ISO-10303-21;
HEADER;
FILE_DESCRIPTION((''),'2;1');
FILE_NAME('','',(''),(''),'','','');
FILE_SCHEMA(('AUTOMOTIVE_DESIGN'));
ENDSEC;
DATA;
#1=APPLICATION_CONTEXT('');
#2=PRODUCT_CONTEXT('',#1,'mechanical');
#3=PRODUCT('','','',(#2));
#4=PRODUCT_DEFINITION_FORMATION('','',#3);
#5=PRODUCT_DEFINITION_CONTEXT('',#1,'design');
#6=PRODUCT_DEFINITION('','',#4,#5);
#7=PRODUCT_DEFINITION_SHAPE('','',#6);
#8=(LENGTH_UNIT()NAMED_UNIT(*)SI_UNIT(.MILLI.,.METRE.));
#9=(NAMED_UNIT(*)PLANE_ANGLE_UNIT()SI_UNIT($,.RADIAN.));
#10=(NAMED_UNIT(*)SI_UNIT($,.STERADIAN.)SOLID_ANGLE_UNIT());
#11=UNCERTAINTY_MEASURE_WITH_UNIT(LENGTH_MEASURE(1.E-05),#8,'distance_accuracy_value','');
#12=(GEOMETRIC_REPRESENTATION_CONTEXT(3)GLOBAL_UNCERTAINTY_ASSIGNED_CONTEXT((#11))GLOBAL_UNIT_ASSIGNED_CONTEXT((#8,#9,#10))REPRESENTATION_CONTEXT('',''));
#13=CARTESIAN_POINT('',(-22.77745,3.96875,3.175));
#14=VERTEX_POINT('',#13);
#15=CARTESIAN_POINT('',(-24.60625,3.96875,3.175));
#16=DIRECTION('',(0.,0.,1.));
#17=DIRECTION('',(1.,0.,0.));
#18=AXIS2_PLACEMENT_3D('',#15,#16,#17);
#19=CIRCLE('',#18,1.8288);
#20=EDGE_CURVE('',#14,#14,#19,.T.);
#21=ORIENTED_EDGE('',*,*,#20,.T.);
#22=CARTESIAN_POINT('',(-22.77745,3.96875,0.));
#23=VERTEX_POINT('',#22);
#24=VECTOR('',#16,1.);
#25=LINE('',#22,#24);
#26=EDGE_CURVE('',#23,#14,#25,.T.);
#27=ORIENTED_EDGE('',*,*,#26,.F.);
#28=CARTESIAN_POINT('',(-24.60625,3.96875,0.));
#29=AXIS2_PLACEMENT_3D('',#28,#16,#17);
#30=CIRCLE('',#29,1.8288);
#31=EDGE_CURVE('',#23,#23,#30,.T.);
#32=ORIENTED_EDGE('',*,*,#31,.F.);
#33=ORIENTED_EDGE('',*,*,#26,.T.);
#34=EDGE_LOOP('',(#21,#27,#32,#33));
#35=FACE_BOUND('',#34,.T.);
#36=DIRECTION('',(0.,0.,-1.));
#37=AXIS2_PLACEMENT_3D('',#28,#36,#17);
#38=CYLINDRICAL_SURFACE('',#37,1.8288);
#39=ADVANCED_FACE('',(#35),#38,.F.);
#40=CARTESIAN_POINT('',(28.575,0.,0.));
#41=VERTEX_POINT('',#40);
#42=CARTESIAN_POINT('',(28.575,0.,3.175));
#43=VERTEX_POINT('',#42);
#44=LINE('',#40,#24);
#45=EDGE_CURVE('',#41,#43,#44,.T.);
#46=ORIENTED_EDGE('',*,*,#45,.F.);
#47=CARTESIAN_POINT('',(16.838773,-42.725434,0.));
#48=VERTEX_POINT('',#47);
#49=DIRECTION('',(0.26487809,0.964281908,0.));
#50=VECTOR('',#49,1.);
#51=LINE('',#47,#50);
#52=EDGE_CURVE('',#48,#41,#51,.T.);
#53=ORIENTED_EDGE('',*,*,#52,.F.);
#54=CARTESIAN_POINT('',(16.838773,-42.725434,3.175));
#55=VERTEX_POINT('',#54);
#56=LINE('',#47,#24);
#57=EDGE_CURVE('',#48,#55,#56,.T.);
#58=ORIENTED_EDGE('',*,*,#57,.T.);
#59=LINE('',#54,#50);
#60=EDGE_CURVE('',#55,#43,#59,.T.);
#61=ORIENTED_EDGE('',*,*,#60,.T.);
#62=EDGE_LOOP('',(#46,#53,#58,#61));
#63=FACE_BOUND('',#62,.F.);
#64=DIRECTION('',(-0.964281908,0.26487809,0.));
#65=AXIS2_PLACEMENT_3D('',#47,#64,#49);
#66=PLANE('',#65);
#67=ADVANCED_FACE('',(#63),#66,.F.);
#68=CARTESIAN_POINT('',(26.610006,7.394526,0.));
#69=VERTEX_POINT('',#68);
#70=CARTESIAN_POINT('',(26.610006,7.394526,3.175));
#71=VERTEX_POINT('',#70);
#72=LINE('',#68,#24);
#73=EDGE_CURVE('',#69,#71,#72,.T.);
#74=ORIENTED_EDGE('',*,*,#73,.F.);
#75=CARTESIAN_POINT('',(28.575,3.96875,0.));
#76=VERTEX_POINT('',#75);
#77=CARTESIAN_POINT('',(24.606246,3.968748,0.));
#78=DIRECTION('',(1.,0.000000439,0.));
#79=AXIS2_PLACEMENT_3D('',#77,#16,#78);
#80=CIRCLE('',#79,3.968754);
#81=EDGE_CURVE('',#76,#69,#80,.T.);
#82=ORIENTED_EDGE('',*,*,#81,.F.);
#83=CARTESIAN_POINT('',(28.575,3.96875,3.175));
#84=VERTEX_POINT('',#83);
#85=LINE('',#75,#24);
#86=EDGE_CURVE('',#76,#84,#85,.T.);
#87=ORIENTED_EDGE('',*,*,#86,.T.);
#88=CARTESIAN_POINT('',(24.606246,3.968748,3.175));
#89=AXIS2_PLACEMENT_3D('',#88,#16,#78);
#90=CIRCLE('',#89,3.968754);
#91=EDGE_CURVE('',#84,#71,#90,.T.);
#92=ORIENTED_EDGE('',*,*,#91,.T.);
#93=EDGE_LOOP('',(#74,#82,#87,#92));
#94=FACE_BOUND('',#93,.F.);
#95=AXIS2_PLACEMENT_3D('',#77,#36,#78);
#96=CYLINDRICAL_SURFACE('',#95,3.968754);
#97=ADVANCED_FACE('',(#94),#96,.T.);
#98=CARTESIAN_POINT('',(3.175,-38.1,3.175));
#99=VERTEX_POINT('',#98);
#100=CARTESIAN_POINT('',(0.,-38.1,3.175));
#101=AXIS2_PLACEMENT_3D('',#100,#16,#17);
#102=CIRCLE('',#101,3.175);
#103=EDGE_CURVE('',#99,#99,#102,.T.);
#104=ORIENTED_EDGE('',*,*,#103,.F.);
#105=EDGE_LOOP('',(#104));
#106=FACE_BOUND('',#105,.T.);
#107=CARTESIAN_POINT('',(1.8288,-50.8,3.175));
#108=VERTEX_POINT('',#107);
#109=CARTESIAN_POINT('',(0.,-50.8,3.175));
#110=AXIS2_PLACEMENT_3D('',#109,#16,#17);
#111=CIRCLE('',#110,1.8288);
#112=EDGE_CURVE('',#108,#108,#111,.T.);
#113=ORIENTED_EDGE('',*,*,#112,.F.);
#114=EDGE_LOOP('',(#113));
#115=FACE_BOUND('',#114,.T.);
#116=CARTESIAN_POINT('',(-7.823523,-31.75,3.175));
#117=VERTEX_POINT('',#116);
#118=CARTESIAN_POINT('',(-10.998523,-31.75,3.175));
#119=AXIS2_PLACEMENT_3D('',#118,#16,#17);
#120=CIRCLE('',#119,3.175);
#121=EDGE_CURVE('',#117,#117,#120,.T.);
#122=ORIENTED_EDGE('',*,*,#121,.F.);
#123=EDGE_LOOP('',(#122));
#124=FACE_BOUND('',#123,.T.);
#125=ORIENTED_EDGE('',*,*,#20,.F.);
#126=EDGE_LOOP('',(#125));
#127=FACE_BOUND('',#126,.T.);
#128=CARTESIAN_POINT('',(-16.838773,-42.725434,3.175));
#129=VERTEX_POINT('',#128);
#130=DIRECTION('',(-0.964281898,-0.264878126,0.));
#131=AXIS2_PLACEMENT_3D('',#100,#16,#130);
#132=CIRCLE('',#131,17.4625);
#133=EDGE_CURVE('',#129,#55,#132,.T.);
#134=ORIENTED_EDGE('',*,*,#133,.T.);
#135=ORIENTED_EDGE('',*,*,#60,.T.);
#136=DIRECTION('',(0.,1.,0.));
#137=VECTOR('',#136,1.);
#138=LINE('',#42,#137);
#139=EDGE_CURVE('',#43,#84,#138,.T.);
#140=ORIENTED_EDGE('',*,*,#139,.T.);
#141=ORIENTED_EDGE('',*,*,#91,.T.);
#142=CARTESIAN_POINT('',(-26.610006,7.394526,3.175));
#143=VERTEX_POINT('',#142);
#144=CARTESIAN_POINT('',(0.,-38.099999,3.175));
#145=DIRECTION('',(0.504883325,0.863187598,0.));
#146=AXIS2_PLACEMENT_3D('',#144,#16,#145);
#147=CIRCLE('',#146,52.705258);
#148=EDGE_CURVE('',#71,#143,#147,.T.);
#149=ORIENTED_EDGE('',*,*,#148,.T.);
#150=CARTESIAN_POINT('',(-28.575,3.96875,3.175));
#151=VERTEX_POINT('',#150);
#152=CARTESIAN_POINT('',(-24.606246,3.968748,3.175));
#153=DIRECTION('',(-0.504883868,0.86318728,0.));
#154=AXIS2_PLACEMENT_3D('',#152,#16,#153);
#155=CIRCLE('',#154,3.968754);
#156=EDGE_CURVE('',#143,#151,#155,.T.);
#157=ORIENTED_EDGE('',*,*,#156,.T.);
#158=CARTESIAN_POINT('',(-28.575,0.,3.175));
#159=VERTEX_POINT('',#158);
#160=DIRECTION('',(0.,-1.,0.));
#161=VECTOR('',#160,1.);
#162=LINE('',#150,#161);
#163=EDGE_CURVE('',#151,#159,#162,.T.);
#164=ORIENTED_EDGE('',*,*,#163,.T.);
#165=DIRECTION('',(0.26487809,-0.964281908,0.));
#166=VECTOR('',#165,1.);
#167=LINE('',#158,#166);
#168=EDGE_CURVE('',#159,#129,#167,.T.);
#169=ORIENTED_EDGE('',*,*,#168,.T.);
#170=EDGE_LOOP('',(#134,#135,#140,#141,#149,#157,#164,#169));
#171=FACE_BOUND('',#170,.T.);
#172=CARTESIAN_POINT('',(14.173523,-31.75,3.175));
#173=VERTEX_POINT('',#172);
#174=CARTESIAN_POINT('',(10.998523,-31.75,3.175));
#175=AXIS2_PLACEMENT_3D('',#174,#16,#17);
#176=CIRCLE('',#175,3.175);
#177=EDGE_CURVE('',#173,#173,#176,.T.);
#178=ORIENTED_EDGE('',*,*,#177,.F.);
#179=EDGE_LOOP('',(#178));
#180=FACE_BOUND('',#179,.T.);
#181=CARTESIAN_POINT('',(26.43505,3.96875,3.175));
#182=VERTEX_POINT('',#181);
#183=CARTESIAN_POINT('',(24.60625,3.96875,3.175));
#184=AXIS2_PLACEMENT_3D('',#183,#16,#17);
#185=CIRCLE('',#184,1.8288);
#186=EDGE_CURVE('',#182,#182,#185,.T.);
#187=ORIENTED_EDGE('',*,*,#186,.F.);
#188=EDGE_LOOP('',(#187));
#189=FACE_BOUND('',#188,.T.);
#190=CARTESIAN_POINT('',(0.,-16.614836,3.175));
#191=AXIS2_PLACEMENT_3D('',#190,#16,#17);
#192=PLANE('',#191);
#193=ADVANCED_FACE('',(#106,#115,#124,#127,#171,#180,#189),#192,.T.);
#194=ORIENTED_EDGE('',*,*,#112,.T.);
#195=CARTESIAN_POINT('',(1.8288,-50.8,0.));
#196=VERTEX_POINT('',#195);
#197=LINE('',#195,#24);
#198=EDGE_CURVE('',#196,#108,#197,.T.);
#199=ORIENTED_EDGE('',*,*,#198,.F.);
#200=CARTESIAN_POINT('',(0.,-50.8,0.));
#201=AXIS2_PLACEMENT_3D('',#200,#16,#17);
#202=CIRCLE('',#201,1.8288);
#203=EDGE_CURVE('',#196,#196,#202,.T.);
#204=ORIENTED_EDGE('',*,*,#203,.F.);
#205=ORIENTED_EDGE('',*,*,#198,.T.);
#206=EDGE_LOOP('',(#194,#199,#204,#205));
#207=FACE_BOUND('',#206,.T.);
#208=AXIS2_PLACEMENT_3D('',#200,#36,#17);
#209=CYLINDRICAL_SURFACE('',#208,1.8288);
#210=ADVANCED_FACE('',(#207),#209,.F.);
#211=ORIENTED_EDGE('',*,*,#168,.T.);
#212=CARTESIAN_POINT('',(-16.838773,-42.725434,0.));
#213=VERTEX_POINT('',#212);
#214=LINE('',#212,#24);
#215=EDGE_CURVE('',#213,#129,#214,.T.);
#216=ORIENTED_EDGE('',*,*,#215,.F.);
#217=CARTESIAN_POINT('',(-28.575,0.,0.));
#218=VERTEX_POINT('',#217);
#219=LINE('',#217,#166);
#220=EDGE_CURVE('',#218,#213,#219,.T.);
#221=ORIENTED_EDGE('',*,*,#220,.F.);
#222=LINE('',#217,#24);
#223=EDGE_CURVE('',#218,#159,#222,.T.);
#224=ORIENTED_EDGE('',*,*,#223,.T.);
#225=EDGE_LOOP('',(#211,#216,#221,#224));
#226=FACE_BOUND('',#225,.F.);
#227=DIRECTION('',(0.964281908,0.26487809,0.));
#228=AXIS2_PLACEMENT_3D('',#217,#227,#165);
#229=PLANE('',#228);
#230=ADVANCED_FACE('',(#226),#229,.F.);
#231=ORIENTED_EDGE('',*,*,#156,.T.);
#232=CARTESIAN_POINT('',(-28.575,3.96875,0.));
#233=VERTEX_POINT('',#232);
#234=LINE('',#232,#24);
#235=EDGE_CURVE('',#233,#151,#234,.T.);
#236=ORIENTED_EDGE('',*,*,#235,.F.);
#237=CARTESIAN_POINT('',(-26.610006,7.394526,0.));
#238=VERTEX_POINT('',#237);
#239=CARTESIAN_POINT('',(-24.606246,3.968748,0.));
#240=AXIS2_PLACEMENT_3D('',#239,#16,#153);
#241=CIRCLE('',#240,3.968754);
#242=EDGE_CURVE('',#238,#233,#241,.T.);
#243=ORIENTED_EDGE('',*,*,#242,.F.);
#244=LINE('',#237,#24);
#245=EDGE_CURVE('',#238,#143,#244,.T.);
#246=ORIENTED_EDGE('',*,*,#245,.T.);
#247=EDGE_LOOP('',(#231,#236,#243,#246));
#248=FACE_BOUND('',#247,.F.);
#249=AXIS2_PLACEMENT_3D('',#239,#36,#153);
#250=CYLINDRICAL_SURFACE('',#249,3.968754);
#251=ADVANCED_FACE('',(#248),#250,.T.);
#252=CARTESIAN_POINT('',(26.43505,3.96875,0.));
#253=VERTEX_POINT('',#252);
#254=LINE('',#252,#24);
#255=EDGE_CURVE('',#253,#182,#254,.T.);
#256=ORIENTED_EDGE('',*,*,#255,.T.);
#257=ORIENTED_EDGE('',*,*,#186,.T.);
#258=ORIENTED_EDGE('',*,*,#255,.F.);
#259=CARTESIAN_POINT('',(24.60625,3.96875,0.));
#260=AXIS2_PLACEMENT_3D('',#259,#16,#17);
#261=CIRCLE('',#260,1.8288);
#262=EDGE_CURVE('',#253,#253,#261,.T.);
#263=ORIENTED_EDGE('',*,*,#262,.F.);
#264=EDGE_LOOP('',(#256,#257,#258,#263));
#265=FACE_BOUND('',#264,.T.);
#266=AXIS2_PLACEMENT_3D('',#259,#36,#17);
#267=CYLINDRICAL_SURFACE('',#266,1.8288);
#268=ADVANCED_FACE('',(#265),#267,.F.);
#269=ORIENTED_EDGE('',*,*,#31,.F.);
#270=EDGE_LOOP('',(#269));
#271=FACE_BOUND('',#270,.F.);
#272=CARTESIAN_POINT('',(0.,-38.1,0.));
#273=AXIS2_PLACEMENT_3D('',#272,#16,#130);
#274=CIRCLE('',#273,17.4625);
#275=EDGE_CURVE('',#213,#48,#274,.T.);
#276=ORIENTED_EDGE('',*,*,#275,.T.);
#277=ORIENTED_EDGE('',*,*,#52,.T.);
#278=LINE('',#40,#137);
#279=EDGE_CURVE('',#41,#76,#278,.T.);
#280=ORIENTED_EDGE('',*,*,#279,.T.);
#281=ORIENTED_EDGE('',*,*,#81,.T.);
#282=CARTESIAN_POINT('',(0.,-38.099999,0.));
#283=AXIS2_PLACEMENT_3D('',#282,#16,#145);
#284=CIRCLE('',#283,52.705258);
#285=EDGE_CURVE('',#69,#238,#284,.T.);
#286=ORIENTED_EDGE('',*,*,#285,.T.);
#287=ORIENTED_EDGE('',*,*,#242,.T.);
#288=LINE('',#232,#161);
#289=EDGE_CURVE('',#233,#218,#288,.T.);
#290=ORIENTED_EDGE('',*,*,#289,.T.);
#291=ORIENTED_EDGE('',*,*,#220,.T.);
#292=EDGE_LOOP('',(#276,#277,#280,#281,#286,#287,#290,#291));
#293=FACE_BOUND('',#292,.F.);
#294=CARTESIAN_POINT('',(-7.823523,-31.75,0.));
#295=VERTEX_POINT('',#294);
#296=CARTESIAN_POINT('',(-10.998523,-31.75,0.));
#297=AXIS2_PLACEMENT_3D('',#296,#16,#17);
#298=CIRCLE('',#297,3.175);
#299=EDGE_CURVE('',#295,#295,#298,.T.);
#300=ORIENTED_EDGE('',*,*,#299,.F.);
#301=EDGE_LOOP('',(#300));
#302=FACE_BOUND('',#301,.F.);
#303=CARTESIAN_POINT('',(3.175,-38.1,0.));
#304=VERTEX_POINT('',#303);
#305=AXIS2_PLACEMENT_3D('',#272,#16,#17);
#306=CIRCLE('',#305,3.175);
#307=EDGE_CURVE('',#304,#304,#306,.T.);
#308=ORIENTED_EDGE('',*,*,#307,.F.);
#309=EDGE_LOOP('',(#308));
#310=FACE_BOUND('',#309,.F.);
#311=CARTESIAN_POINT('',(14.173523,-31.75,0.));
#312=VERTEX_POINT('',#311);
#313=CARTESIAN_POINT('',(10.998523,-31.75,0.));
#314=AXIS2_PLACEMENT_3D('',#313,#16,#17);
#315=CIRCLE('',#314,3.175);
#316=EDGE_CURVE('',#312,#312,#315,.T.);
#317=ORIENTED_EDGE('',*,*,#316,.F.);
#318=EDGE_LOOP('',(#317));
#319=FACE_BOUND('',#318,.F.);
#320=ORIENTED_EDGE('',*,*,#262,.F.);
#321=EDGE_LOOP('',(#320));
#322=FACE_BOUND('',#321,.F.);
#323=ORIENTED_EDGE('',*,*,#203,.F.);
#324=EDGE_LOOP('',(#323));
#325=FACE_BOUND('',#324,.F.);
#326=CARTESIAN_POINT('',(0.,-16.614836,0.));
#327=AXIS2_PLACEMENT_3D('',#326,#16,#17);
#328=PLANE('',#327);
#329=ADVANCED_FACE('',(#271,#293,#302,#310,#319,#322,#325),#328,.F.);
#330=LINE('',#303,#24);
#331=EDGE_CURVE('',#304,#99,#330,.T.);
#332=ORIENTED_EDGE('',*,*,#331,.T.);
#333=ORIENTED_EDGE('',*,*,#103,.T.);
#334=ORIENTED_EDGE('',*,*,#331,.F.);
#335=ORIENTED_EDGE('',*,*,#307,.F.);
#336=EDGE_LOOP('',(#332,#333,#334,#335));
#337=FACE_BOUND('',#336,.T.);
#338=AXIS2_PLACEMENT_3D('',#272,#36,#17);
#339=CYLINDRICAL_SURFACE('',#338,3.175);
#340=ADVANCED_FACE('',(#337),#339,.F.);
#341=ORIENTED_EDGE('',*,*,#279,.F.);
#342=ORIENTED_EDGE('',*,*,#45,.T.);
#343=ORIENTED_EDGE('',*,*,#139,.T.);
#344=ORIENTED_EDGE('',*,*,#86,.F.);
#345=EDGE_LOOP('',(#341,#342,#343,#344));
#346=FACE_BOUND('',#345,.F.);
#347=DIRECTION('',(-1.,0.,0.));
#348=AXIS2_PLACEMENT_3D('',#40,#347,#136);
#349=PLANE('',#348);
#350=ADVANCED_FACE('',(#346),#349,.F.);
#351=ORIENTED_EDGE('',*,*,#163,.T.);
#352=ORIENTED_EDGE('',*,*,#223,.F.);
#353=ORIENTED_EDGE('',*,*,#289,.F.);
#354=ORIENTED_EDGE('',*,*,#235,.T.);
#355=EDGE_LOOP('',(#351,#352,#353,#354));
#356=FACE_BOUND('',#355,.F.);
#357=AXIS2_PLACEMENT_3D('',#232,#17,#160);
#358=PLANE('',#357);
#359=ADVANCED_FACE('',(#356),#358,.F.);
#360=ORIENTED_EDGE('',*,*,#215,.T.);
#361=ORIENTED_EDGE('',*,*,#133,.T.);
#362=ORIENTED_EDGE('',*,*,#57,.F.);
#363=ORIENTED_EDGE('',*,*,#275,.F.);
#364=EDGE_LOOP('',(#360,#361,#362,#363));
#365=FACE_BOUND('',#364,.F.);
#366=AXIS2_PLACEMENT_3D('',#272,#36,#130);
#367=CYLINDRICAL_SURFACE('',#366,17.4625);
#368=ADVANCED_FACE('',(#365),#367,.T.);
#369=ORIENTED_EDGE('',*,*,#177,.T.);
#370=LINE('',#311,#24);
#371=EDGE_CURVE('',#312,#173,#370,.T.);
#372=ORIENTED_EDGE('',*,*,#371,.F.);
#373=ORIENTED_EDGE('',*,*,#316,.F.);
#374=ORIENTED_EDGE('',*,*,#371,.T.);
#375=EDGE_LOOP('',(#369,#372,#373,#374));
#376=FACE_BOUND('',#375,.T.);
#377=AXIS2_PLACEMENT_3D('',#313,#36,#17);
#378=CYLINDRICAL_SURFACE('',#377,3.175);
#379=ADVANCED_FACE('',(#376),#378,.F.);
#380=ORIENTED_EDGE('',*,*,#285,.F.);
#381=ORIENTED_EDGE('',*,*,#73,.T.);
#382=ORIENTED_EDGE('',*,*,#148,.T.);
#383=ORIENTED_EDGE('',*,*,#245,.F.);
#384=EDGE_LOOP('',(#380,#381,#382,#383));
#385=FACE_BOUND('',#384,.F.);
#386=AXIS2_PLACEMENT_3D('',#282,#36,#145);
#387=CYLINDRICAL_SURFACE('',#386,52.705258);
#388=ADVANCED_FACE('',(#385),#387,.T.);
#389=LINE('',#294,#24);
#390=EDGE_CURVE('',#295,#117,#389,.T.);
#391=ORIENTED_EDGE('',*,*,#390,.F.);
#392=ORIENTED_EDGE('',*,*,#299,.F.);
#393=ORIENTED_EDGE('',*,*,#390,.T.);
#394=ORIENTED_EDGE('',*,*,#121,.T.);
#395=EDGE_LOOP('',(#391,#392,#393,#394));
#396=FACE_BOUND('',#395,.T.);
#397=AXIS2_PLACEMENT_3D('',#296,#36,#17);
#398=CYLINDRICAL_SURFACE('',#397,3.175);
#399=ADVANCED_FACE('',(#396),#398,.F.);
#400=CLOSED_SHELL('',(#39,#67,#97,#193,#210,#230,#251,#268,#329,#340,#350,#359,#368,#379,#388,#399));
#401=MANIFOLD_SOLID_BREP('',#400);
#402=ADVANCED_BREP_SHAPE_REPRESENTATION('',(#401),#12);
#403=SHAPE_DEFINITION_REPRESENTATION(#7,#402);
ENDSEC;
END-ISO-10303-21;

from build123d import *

# Parameters (mm, degrees)
F0_R     = 1.8288
F0_R_2   = 3.175
F1_DEPTH = 3.175


with BuildPart() as f1:
    # F0 (on Top) → F1 (new body)
    with BuildSketch(Plane.XY):
        with BuildLine():
            Line((-28.575, 0), (-16.838773, -42.725434))
            ThreePointArc((-16.838773, -42.725434), (0, -55.5625), (16.838773, -42.725434))
            Line((16.838773, -42.725434), (28.575, 0))
            Line((28.575, 0), (28.575, 3.96875))
            ThreePointArc((28.575, 3.96875), (28.048878, 5.943411), (26.610006, 7.394526))
            ThreePointArc((26.610006, 7.394526), (0, 14.605259), (-26.610006, 7.394526))
            ThreePointArc((-26.610006, 7.394526), (-28.048878, 5.943411), (-28.575, 3.96875))
            Line((-28.575, 3.96875), (-28.575, 0))
        make_face()
        with Locations((0, -50.8)):
            Circle(F0_R, mode=Mode.SUBTRACT)
        with Locations((0, -38.1)):
            Circle(F0_R_2, mode=Mode.SUBTRACT)
        with Locations((-10.998523, -31.75)):
            Circle(F0_R_2, mode=Mode.SUBTRACT)
        with Locations((10.998523, -31.75)):
            Circle(F0_R_2, mode=Mode.SUBTRACT)
        with Locations((-24.60625, 3.96875)):
            Circle(F0_R, mode=Mode.SUBTRACT)
        with Locations((24.60625, 3.96875)):
            Circle(F0_R, mode=Mode.SUBTRACT)
    extrude(amount=F1_DEPTH)


solid = f1.part
